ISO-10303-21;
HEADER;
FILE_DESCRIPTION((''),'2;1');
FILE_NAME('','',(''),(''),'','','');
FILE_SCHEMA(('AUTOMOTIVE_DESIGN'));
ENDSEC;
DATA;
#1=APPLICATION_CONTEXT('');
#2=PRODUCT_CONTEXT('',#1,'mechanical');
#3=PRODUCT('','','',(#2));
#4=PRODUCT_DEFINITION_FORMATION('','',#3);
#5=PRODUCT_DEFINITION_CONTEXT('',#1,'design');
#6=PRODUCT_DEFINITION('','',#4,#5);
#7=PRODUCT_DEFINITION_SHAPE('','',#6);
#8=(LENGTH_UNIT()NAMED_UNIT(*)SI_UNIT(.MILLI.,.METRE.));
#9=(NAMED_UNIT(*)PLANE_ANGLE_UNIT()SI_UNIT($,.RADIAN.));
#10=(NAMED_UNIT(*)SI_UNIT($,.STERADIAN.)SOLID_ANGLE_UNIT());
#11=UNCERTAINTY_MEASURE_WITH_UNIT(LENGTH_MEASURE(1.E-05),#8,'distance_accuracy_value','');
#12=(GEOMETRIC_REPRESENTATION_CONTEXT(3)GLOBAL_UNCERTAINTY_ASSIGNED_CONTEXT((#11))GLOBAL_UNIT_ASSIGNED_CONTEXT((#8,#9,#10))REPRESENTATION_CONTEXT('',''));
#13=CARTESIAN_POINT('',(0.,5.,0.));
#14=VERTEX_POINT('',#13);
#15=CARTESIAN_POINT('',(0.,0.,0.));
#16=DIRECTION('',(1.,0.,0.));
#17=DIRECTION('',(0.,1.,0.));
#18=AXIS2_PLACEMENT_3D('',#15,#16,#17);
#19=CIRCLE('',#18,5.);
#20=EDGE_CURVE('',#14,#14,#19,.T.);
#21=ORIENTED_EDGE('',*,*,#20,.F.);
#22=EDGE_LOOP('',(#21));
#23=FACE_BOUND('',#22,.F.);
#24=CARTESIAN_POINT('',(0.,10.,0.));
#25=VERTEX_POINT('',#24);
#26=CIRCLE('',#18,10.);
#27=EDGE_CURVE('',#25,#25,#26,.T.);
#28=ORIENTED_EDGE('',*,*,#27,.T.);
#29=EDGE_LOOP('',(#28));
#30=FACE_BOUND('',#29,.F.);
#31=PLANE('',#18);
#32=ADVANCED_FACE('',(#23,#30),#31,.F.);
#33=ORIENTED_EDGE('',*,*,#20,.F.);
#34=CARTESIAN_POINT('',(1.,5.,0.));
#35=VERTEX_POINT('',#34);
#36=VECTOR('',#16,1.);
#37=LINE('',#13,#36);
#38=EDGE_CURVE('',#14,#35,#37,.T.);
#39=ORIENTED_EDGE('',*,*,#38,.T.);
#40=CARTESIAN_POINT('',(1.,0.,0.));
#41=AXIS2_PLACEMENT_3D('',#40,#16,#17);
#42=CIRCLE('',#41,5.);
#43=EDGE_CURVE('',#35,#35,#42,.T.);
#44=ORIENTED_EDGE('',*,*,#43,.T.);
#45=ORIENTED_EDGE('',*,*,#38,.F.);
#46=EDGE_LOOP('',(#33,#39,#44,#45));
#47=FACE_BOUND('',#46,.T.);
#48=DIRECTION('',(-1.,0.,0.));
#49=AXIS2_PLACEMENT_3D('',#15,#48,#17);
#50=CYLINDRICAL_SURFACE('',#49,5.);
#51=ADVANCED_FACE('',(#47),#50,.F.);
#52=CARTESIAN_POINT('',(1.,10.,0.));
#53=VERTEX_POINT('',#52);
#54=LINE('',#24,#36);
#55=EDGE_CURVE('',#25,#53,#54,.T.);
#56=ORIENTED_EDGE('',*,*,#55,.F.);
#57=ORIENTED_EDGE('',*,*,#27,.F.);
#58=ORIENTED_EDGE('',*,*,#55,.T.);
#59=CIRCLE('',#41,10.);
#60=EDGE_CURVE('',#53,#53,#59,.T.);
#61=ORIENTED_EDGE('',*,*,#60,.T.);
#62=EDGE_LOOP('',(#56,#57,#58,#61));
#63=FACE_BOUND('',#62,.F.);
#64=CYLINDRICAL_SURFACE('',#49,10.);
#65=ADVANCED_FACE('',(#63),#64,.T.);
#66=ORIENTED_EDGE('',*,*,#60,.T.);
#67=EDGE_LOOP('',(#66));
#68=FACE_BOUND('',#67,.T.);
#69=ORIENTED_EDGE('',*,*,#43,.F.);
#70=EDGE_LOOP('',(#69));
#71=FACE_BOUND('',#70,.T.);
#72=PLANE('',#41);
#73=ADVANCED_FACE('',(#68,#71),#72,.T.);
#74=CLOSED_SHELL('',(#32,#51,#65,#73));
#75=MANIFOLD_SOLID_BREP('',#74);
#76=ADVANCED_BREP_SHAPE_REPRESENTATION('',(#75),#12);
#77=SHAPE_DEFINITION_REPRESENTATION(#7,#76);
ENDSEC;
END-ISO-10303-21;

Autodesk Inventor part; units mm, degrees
ref_plane "YZ Plane" through (0, 0, 0) normal (1, 0, 0) x (0, 1, 0)
ref_plane "XZ Plane" through (0, 0, 0) normal (0, 1, 0) x (-1, 0, 0)
ref_plane "XY Plane" through (0, 0, 0) normal (0, 0, 1) x (1, 0, 0)
sketch "Sketch1" plane through (0, 0, 0) normal (1, 0, 0) x (0, 1, 0)
  circle A0 centre (0, 0) radius 10
  circle A1 centre (0, 0) radius 5
  dimension "d0" = 20
  dimension "d1" = 10
extrude "Extrusion1" add sketch "Sketch1" along normal blind 1
properties part number "Washer" material "Stainless Steel"
